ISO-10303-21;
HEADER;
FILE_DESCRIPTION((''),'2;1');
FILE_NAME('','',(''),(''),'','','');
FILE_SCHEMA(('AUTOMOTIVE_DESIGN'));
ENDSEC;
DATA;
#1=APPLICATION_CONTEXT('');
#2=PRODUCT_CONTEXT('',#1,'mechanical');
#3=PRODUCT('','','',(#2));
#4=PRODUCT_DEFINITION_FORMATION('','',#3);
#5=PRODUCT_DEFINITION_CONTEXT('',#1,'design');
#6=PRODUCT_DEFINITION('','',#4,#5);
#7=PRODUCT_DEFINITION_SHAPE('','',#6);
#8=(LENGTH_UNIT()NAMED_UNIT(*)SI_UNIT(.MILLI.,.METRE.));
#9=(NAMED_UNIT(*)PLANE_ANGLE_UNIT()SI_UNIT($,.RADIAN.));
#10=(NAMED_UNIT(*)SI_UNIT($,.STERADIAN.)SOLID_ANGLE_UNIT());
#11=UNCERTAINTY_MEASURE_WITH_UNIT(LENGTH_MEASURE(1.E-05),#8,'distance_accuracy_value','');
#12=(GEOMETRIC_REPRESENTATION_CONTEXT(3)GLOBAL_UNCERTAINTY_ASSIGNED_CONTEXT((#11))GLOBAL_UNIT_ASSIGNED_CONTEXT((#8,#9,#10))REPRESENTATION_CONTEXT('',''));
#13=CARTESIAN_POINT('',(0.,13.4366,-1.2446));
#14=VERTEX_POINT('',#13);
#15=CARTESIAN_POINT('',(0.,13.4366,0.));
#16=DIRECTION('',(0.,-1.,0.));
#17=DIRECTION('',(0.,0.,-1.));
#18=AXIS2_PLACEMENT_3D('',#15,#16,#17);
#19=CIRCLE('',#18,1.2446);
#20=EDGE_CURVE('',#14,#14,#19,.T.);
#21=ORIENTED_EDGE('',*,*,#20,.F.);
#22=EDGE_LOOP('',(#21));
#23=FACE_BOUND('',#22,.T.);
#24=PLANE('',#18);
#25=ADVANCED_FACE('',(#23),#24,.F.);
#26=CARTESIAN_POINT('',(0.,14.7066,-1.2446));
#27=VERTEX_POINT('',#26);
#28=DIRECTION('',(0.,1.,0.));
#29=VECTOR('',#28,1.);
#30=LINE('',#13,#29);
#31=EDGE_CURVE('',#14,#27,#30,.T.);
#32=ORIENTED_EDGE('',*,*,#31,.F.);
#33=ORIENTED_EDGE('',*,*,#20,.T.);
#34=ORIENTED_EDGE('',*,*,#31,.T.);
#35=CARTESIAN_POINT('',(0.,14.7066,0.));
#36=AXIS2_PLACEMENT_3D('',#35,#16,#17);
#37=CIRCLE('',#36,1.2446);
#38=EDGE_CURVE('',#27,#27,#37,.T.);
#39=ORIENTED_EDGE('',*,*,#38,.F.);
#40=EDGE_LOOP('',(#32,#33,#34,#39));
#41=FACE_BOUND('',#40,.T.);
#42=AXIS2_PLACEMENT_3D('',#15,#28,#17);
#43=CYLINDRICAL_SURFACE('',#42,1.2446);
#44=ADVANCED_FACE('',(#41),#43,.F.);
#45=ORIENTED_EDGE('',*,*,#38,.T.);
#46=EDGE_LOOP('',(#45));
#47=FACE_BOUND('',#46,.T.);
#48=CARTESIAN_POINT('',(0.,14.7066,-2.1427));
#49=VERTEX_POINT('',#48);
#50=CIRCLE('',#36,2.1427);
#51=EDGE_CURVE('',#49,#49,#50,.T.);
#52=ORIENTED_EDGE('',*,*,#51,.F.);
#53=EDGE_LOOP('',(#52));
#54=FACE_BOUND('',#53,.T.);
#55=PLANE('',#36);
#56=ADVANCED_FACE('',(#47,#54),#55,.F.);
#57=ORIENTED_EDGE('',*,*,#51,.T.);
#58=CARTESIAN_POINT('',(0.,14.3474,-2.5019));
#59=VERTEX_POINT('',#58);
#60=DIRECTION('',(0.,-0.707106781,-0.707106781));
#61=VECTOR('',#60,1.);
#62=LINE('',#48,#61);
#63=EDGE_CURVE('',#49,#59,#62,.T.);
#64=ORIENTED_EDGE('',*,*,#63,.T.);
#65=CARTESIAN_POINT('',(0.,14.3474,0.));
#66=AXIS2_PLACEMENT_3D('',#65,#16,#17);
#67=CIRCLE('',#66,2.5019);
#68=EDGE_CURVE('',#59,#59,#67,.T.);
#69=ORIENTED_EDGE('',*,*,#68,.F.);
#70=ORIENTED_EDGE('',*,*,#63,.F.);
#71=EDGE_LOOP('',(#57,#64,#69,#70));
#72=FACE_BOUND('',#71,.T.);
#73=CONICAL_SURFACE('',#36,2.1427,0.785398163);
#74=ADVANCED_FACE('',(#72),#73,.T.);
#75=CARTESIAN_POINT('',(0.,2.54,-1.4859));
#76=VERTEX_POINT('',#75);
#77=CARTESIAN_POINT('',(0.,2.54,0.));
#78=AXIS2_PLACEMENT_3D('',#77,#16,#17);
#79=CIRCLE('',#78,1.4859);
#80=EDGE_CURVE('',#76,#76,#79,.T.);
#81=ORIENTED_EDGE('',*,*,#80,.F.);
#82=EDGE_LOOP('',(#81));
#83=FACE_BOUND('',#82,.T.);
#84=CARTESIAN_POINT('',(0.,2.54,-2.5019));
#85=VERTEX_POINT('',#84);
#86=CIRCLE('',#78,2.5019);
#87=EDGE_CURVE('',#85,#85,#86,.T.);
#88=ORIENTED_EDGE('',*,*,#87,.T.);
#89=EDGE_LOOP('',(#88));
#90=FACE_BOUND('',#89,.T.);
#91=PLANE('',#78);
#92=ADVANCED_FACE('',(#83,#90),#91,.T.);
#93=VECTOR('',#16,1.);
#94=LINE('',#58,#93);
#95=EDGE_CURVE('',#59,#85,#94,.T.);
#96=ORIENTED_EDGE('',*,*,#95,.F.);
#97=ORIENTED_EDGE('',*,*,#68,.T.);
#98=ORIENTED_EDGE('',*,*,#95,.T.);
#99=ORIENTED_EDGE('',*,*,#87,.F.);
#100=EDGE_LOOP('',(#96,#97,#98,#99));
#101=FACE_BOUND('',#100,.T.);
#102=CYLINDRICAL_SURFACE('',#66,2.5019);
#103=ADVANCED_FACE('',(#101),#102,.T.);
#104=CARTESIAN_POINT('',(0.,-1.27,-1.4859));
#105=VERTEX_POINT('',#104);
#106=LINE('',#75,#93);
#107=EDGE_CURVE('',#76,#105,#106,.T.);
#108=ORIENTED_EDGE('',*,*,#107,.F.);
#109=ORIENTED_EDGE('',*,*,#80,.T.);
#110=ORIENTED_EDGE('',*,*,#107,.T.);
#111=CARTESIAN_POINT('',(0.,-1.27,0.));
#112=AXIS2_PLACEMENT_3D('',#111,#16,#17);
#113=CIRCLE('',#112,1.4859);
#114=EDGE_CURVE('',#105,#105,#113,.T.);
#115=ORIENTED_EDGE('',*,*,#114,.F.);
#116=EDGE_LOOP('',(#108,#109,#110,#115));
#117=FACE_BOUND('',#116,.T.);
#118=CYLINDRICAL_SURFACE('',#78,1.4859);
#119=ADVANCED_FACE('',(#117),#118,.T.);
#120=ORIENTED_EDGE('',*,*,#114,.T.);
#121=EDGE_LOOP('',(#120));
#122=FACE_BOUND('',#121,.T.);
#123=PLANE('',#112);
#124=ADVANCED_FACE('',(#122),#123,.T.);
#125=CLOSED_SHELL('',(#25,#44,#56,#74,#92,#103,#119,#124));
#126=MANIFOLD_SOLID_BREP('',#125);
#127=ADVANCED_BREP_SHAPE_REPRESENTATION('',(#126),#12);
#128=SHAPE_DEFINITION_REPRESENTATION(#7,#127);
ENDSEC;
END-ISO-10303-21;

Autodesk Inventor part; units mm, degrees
sketch "Sketch_1" plane through (0, 0, 0) normal (1, 0, 0) x (0, 1, 0)
  line L0 (-1.27, 0) -> (13.4366, 0)
  line L1 (13.4366, 0) -> (13.4366, -1.2446)
  line L2 (13.4366, -1.2446) -> (14.7066, -1.2446)
  line L3 (14.7066, -1.2446) -> (14.7066, -2.1427)
  line L4 (14.7066, -2.1427) -> (14.3474, -2.5019)
  line L5 (14.3474, -2.5019) -> (2.54, -2.5019)
  line L6 (2.54, -2.5019) -> (2.54, -1.4859)
  line L7 (2.54, -1.4859) -> (-1.27, -1.4859)
  line L8 (-1.27, -1.4859) -> (-1.27, 0)
  line L9 (-1.27, 0) -> (13.4366, 0)
revolve "Revolution1" add sketch "Sketch_1" angle 360 about axis through (0, -1.27, 0) along (0, -1, 0)
ref_plane "paddle_to_bracket_XY" through (0, -1.3716, 0) normal (0, 0, -1) x (1, 0, 0)
ref_plane "paddle_to_bracket_YZ" through (0, -1.3716, 0) normal (1, 0, 0) x (0, -1, 0)
ref_plane "paddle_to_bracket_ZX" through (0, -1.3716, 0) normal (0, -1, 0) x (0, 0, -1)
ref_plane "paddle_to_led_XY" through (0, 13.8525, 0) normal (0, 1, 0) x (1, 0, 0)
ref_plane "paddle_to_led_YZ" through (0, 13.8525, 0) normal (1, 0, 0) x (0, 0, -1)
ref_plane "paddle_to_led_ZX" through (0, 13.8525, 0) normal (0, 0, -1) x (0, 1, 0)
ref_plane "paddle_to_led_green_XY" through (0, 13.8525, 0) normal (0, 1, 0) x (1, 0, 0)
ref_plane "paddle_to_led_green_YZ" through (0, 13.8525, 0) normal (1, 0, 0) x (0, 0, -1)
ref_plane "paddle_to_led_green_ZX" through (0, 13.8525, 0) normal (0, 0, -1) x (0, 1, 0)
ref_plane "rocker_to_bracket_XY" through (0, 1.778, 0) normal (0, -1, 0) x (1, 0, 0)
ref_plane "rocker_to_bracket_YZ" through (0, 1.778, 0) normal (1, 0, 0) x (0, 0, 1)
ref_plane "rocker_to_bracket_ZX" through (0, 1.778, 0) normal (0, 0, 1) x (0, -1, 0)
ref_plane "toggle_to_bc_XY" through (0, 0, 0) normal (0, 1, 0) x (1, 0, 0)
ref_plane "toggle_to_bc_YZ" through (0, 0, 0) normal (1, 0, 0) x (0, 0, -1)
ref_plane "toggle_to_bc_ZX" through (0, 0, 0) normal (0, 0, -1) x (0, 1, 0)
ref_plane "toggle_to_led_XY" through (0, 13.4366, 0) normal (0, 1, 0) x (1, 0, 0)
ref_plane "toggle_to_led_YZ" through (0, 13.4366, 0) normal (1, 0, 0) x (0, 0, -1)
ref_plane "toggle_to_led_ZX" through (0, 13.4366, 0) normal (0, 0, -1) x (0, 1, 0)
ref_plane "toggle_to_led_green_XY" through (0, 13.4366, 0) normal (0, 1, 0) x (1, 0, 0)
ref_plane "toggle_to_led_green_YZ" through (0, 13.4366, 0) normal (1, 0, 0) x (0, 0, -1)
ref_plane "toggle_to_led_green_ZX" through (0, 13.4366, 0) normal (0, 0, -1) x (0, 1, 0)
properties part number "M211L01W-actuator"
